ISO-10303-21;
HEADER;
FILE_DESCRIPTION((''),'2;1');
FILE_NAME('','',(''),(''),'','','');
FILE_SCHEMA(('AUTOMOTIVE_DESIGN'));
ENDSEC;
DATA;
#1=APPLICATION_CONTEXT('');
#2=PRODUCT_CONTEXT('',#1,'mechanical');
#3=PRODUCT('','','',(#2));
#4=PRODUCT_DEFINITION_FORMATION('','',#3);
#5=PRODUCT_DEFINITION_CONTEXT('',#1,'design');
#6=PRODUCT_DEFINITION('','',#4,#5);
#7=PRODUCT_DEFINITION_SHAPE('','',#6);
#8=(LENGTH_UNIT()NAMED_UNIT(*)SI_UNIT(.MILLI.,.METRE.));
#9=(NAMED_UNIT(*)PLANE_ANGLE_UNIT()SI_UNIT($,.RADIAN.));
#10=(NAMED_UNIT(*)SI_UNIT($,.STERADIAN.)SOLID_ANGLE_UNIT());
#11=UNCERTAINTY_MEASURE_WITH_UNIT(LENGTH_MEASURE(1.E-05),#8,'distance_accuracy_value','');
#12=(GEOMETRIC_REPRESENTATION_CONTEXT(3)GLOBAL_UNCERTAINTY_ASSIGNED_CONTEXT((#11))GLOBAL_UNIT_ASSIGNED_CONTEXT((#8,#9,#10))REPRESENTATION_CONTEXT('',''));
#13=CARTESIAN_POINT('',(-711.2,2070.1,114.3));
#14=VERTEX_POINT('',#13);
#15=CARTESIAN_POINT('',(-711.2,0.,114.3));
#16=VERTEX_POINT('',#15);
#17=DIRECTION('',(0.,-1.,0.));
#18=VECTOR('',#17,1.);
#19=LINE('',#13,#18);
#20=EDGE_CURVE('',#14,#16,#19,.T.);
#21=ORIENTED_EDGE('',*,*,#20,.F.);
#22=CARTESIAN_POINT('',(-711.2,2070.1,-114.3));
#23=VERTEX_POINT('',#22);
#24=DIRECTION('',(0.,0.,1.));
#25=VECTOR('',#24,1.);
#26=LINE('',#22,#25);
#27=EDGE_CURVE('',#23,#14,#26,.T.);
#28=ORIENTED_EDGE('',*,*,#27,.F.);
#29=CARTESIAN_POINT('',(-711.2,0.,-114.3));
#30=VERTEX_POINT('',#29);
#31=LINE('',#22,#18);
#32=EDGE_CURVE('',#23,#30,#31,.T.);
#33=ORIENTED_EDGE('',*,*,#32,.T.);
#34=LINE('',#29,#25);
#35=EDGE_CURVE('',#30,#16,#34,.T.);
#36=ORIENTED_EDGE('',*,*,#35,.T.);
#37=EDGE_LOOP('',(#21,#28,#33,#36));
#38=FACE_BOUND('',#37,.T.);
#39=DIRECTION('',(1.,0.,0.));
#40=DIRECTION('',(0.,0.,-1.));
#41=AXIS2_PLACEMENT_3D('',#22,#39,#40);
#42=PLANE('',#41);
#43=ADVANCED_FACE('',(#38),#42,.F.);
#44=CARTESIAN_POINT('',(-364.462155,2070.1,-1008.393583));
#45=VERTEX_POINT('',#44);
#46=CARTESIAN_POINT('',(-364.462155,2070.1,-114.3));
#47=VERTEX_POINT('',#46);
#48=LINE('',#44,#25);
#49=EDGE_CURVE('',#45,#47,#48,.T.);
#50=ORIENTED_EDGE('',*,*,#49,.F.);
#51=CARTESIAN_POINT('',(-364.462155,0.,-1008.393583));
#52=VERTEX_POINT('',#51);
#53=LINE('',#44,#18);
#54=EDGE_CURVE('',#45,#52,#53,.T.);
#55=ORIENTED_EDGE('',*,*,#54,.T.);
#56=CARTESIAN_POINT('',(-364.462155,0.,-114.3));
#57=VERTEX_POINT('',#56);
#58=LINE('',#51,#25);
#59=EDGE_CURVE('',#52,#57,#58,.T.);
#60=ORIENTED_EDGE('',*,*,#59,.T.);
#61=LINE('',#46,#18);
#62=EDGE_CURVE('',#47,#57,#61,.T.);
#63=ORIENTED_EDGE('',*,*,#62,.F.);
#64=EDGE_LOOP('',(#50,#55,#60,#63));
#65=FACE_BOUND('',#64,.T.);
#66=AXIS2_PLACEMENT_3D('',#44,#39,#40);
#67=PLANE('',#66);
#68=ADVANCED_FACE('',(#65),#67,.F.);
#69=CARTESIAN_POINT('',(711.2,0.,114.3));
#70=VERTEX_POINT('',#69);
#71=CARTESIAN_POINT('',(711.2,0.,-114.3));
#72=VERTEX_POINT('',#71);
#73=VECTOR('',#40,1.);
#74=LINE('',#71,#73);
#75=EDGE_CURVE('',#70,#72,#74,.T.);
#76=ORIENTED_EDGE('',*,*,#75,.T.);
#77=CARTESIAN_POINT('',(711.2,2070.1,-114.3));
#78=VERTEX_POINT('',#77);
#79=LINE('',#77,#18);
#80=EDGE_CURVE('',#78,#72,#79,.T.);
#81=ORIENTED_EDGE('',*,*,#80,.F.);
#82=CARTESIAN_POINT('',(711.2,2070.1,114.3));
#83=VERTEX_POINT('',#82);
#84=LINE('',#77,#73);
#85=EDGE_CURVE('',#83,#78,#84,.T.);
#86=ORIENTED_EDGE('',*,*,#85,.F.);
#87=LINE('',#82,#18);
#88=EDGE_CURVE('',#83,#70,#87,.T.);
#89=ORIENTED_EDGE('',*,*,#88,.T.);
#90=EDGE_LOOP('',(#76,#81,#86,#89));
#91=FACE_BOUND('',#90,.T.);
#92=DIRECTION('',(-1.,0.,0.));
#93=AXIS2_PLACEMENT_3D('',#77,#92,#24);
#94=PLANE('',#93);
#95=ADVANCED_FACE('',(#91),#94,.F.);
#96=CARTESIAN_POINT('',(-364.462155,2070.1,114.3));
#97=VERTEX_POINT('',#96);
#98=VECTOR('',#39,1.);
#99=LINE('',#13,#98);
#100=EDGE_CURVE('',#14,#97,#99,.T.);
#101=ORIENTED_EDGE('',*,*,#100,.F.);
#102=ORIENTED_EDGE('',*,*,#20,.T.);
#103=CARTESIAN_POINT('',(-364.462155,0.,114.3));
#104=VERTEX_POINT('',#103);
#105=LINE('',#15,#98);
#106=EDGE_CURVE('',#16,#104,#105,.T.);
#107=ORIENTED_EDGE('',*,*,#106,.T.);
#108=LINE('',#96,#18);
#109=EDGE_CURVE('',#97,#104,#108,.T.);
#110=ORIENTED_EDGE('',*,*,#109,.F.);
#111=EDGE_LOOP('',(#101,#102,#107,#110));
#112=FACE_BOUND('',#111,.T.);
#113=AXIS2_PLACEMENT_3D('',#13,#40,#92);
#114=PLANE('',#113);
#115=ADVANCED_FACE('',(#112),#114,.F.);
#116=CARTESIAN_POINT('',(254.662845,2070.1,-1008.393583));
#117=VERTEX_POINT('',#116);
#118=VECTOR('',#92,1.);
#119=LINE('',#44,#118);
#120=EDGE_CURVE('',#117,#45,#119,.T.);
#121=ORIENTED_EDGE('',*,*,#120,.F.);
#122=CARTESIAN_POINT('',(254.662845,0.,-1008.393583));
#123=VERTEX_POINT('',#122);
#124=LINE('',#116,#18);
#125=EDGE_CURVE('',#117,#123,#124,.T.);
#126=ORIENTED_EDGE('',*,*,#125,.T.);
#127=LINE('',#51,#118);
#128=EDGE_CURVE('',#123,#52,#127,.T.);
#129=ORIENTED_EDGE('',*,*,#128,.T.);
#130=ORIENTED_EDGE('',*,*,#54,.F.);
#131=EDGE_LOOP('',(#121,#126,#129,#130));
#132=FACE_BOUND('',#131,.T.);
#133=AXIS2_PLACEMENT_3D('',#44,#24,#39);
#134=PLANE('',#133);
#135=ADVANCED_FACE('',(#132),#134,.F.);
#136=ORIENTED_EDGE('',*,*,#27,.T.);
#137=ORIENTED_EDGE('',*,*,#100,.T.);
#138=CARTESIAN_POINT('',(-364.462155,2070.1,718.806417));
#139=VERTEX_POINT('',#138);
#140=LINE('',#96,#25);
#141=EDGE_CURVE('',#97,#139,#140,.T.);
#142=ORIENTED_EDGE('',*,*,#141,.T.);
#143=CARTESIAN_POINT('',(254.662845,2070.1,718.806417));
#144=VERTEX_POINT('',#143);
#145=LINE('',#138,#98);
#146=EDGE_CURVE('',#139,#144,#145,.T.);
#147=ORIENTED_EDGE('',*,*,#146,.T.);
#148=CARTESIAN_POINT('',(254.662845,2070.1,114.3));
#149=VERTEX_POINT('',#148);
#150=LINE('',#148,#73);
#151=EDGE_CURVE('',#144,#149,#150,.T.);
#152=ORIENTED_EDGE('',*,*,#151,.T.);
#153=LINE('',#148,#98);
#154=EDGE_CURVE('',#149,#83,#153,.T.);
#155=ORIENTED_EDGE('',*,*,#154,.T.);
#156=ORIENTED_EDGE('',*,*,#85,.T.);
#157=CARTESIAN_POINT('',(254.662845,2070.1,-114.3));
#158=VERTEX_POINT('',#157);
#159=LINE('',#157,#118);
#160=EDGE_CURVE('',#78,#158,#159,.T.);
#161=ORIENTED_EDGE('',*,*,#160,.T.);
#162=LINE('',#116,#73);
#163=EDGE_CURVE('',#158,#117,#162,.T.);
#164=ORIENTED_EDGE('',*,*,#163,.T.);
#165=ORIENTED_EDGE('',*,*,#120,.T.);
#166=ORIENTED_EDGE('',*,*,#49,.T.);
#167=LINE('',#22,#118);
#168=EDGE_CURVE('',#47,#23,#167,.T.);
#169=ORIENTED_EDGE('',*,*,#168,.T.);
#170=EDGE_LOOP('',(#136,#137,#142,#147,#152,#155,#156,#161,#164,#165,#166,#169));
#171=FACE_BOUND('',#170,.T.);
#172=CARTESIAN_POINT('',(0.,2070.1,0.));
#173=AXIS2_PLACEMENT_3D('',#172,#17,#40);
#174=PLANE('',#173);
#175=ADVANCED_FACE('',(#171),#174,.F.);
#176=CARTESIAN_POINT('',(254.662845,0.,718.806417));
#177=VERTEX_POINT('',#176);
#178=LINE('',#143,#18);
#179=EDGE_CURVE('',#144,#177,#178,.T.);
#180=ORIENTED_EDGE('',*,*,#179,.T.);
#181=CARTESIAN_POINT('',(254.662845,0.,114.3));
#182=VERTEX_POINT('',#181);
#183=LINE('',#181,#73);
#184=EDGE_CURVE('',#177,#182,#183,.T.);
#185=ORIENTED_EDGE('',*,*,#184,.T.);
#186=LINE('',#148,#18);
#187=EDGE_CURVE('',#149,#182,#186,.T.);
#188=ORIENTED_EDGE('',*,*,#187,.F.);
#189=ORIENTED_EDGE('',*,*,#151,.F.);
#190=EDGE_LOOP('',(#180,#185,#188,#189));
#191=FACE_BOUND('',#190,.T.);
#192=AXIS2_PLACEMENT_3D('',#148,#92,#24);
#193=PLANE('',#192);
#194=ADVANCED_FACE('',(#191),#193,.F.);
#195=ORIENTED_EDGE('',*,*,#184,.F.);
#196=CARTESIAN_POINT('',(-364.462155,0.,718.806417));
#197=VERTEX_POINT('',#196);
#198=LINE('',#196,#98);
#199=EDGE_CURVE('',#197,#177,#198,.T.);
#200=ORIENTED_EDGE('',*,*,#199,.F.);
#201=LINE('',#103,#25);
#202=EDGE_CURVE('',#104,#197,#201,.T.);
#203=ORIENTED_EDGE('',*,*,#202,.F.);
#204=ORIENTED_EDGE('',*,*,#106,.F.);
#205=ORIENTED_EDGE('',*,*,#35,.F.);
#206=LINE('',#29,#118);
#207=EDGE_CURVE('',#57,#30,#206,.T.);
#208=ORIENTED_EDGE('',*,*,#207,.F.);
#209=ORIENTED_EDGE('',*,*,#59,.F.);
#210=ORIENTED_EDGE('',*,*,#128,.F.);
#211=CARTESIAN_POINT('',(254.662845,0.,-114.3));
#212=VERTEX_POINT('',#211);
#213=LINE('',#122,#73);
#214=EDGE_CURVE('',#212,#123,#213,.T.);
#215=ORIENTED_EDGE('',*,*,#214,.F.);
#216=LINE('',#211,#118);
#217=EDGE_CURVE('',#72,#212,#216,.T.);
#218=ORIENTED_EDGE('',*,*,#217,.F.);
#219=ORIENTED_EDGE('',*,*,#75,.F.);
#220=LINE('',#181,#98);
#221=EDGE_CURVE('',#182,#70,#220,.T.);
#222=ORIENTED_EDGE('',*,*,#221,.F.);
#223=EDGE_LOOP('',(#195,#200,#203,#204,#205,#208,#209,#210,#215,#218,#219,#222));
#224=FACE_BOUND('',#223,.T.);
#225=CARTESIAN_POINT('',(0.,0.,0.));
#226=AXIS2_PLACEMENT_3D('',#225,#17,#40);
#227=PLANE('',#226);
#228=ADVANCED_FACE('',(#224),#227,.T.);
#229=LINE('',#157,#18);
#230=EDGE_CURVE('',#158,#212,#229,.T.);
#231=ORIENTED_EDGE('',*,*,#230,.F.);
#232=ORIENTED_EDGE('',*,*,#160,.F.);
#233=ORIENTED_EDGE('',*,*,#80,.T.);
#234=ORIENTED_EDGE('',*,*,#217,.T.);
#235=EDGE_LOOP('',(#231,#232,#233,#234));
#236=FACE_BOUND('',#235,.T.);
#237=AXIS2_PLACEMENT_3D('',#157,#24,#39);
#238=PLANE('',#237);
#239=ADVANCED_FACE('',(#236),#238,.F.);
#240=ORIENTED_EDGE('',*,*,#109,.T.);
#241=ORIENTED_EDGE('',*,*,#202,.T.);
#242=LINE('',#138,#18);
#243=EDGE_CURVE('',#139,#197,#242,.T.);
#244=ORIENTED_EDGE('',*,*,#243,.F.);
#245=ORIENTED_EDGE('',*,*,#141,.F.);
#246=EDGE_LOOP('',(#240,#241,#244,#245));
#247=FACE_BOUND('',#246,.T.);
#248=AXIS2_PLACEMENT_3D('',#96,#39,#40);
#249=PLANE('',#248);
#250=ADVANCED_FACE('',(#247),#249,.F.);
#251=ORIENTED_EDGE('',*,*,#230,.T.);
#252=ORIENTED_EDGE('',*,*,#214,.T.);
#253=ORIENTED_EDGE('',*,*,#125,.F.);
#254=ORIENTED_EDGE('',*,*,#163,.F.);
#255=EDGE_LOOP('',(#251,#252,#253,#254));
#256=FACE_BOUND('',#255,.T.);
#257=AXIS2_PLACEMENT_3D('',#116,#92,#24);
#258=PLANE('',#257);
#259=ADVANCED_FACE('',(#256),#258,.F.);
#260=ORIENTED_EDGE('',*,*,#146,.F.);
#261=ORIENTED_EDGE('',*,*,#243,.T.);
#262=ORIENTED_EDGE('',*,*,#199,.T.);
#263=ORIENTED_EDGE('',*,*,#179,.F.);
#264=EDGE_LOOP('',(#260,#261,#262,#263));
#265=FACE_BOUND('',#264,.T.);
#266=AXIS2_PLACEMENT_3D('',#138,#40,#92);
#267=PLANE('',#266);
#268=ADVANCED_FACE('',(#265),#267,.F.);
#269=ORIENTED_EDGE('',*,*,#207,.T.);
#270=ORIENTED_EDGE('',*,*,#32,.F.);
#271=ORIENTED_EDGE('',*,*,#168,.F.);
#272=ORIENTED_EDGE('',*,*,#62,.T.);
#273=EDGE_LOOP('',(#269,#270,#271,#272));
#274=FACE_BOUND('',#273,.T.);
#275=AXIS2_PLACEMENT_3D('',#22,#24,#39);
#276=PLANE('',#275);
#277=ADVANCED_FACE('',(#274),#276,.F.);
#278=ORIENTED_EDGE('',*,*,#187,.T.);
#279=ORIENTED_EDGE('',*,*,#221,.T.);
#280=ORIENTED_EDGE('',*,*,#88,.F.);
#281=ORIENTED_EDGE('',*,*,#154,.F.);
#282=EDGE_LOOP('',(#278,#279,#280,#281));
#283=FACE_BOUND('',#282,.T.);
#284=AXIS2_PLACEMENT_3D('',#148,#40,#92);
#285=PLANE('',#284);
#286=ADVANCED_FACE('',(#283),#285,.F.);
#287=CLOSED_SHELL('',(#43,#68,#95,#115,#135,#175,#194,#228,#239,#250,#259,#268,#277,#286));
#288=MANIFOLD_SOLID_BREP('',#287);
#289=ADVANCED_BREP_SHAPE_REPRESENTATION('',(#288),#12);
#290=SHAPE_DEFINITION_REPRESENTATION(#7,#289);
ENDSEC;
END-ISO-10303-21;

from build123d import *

# Parameters (mm, degrees)
BOSS_EXTRUDE1_DEPTH = 2070.1


with BuildPart() as part:
    # Sketch1 → Boss-Extrude1 (new body)
    with BuildSketch(Plane(origin=(0, 0, 0), x_dir=(1, 0, 0), z_dir=(0, 1, 0))):
        Polygon((254.66284492, 114.3), (711.2, 114.3), (711.2, -114.3), (254.66284492, -114.3), (254.66284492, -718.806417112), (-364.46215508, -718.806417112), (-364.46215508, -114.3), (-711.2, -114.3), (-711.2, 114.3), (-364.46215508, 114.3), (-364.46215508, 1008.393582888), (254.66284492, 1008.393582888), align=None)
    extrude(amount=BOSS_EXTRUDE1_DEPTH)


solid = part.part
